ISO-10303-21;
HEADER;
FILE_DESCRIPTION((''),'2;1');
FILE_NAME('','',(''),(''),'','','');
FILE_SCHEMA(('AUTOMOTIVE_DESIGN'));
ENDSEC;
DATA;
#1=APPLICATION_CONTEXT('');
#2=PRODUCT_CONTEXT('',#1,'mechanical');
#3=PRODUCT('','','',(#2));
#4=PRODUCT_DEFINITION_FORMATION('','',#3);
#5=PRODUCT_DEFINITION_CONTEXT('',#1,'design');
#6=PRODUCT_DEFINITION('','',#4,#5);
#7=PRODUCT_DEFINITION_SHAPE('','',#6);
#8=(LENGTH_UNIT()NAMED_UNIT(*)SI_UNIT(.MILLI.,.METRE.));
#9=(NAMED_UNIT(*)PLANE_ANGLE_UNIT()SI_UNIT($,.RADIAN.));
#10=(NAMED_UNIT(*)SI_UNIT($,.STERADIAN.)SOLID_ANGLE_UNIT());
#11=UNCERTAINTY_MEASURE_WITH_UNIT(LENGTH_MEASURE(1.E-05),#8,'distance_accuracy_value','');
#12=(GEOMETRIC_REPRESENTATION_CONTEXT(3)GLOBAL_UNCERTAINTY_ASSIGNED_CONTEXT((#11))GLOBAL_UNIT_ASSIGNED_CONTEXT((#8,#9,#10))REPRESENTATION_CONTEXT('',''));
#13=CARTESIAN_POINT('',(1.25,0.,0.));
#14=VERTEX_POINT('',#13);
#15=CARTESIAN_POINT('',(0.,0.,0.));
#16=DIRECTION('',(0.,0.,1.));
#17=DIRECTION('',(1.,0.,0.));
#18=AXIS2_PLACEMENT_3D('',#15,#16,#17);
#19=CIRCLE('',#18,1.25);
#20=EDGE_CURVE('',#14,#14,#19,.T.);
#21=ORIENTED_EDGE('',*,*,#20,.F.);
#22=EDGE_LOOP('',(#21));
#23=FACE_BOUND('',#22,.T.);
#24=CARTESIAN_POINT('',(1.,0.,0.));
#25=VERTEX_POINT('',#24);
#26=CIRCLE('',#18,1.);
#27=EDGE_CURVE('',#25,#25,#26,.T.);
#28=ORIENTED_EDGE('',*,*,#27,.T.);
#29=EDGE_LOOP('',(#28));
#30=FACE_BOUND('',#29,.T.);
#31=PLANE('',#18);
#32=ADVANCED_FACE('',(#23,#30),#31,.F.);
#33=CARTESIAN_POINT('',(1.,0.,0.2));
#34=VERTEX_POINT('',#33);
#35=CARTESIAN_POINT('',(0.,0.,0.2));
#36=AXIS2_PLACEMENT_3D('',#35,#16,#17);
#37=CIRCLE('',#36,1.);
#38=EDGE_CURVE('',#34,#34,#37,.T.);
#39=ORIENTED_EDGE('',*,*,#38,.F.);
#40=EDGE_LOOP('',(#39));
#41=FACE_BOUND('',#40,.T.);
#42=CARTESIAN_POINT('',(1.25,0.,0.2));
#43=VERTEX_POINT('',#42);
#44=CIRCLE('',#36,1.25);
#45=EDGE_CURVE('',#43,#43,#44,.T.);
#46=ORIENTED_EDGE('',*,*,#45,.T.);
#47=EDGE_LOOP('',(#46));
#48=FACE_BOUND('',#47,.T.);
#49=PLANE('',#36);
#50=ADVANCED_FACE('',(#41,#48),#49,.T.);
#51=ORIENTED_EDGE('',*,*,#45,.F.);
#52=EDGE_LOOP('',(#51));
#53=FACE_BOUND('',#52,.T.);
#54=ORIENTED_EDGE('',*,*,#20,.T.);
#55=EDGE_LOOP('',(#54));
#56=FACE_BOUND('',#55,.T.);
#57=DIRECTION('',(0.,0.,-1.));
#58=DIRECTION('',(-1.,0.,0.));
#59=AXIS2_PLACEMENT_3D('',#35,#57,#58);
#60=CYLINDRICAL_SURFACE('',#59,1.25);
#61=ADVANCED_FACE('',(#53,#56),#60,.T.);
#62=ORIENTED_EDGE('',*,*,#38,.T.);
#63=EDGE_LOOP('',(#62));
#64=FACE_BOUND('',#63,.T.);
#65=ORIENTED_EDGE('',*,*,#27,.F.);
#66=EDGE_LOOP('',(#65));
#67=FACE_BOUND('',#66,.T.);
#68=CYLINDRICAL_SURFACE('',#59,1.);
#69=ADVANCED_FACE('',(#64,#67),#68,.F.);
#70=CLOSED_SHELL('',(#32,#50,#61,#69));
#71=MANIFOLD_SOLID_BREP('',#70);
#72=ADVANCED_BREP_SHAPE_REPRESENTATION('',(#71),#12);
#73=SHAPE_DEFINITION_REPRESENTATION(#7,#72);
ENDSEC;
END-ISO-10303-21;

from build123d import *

# Parameters (mm, degrees)
SKETCH_1_R      = 1.25
SKETCH_1_R_2    = 1
EXTRUDE_2_DEPTH = 0.2


with BuildPart() as part:
    # Эскиз1 → Бобышка-Вытянуть2 (new body)
    with BuildSketch(Plane.XY):
        Circle(SKETCH_1_R)
        Circle(SKETCH_1_R_2, mode=Mode.SUBTRACT)
    extrude(amount=EXTRUDE_2_DEPTH)


solid = part.part
